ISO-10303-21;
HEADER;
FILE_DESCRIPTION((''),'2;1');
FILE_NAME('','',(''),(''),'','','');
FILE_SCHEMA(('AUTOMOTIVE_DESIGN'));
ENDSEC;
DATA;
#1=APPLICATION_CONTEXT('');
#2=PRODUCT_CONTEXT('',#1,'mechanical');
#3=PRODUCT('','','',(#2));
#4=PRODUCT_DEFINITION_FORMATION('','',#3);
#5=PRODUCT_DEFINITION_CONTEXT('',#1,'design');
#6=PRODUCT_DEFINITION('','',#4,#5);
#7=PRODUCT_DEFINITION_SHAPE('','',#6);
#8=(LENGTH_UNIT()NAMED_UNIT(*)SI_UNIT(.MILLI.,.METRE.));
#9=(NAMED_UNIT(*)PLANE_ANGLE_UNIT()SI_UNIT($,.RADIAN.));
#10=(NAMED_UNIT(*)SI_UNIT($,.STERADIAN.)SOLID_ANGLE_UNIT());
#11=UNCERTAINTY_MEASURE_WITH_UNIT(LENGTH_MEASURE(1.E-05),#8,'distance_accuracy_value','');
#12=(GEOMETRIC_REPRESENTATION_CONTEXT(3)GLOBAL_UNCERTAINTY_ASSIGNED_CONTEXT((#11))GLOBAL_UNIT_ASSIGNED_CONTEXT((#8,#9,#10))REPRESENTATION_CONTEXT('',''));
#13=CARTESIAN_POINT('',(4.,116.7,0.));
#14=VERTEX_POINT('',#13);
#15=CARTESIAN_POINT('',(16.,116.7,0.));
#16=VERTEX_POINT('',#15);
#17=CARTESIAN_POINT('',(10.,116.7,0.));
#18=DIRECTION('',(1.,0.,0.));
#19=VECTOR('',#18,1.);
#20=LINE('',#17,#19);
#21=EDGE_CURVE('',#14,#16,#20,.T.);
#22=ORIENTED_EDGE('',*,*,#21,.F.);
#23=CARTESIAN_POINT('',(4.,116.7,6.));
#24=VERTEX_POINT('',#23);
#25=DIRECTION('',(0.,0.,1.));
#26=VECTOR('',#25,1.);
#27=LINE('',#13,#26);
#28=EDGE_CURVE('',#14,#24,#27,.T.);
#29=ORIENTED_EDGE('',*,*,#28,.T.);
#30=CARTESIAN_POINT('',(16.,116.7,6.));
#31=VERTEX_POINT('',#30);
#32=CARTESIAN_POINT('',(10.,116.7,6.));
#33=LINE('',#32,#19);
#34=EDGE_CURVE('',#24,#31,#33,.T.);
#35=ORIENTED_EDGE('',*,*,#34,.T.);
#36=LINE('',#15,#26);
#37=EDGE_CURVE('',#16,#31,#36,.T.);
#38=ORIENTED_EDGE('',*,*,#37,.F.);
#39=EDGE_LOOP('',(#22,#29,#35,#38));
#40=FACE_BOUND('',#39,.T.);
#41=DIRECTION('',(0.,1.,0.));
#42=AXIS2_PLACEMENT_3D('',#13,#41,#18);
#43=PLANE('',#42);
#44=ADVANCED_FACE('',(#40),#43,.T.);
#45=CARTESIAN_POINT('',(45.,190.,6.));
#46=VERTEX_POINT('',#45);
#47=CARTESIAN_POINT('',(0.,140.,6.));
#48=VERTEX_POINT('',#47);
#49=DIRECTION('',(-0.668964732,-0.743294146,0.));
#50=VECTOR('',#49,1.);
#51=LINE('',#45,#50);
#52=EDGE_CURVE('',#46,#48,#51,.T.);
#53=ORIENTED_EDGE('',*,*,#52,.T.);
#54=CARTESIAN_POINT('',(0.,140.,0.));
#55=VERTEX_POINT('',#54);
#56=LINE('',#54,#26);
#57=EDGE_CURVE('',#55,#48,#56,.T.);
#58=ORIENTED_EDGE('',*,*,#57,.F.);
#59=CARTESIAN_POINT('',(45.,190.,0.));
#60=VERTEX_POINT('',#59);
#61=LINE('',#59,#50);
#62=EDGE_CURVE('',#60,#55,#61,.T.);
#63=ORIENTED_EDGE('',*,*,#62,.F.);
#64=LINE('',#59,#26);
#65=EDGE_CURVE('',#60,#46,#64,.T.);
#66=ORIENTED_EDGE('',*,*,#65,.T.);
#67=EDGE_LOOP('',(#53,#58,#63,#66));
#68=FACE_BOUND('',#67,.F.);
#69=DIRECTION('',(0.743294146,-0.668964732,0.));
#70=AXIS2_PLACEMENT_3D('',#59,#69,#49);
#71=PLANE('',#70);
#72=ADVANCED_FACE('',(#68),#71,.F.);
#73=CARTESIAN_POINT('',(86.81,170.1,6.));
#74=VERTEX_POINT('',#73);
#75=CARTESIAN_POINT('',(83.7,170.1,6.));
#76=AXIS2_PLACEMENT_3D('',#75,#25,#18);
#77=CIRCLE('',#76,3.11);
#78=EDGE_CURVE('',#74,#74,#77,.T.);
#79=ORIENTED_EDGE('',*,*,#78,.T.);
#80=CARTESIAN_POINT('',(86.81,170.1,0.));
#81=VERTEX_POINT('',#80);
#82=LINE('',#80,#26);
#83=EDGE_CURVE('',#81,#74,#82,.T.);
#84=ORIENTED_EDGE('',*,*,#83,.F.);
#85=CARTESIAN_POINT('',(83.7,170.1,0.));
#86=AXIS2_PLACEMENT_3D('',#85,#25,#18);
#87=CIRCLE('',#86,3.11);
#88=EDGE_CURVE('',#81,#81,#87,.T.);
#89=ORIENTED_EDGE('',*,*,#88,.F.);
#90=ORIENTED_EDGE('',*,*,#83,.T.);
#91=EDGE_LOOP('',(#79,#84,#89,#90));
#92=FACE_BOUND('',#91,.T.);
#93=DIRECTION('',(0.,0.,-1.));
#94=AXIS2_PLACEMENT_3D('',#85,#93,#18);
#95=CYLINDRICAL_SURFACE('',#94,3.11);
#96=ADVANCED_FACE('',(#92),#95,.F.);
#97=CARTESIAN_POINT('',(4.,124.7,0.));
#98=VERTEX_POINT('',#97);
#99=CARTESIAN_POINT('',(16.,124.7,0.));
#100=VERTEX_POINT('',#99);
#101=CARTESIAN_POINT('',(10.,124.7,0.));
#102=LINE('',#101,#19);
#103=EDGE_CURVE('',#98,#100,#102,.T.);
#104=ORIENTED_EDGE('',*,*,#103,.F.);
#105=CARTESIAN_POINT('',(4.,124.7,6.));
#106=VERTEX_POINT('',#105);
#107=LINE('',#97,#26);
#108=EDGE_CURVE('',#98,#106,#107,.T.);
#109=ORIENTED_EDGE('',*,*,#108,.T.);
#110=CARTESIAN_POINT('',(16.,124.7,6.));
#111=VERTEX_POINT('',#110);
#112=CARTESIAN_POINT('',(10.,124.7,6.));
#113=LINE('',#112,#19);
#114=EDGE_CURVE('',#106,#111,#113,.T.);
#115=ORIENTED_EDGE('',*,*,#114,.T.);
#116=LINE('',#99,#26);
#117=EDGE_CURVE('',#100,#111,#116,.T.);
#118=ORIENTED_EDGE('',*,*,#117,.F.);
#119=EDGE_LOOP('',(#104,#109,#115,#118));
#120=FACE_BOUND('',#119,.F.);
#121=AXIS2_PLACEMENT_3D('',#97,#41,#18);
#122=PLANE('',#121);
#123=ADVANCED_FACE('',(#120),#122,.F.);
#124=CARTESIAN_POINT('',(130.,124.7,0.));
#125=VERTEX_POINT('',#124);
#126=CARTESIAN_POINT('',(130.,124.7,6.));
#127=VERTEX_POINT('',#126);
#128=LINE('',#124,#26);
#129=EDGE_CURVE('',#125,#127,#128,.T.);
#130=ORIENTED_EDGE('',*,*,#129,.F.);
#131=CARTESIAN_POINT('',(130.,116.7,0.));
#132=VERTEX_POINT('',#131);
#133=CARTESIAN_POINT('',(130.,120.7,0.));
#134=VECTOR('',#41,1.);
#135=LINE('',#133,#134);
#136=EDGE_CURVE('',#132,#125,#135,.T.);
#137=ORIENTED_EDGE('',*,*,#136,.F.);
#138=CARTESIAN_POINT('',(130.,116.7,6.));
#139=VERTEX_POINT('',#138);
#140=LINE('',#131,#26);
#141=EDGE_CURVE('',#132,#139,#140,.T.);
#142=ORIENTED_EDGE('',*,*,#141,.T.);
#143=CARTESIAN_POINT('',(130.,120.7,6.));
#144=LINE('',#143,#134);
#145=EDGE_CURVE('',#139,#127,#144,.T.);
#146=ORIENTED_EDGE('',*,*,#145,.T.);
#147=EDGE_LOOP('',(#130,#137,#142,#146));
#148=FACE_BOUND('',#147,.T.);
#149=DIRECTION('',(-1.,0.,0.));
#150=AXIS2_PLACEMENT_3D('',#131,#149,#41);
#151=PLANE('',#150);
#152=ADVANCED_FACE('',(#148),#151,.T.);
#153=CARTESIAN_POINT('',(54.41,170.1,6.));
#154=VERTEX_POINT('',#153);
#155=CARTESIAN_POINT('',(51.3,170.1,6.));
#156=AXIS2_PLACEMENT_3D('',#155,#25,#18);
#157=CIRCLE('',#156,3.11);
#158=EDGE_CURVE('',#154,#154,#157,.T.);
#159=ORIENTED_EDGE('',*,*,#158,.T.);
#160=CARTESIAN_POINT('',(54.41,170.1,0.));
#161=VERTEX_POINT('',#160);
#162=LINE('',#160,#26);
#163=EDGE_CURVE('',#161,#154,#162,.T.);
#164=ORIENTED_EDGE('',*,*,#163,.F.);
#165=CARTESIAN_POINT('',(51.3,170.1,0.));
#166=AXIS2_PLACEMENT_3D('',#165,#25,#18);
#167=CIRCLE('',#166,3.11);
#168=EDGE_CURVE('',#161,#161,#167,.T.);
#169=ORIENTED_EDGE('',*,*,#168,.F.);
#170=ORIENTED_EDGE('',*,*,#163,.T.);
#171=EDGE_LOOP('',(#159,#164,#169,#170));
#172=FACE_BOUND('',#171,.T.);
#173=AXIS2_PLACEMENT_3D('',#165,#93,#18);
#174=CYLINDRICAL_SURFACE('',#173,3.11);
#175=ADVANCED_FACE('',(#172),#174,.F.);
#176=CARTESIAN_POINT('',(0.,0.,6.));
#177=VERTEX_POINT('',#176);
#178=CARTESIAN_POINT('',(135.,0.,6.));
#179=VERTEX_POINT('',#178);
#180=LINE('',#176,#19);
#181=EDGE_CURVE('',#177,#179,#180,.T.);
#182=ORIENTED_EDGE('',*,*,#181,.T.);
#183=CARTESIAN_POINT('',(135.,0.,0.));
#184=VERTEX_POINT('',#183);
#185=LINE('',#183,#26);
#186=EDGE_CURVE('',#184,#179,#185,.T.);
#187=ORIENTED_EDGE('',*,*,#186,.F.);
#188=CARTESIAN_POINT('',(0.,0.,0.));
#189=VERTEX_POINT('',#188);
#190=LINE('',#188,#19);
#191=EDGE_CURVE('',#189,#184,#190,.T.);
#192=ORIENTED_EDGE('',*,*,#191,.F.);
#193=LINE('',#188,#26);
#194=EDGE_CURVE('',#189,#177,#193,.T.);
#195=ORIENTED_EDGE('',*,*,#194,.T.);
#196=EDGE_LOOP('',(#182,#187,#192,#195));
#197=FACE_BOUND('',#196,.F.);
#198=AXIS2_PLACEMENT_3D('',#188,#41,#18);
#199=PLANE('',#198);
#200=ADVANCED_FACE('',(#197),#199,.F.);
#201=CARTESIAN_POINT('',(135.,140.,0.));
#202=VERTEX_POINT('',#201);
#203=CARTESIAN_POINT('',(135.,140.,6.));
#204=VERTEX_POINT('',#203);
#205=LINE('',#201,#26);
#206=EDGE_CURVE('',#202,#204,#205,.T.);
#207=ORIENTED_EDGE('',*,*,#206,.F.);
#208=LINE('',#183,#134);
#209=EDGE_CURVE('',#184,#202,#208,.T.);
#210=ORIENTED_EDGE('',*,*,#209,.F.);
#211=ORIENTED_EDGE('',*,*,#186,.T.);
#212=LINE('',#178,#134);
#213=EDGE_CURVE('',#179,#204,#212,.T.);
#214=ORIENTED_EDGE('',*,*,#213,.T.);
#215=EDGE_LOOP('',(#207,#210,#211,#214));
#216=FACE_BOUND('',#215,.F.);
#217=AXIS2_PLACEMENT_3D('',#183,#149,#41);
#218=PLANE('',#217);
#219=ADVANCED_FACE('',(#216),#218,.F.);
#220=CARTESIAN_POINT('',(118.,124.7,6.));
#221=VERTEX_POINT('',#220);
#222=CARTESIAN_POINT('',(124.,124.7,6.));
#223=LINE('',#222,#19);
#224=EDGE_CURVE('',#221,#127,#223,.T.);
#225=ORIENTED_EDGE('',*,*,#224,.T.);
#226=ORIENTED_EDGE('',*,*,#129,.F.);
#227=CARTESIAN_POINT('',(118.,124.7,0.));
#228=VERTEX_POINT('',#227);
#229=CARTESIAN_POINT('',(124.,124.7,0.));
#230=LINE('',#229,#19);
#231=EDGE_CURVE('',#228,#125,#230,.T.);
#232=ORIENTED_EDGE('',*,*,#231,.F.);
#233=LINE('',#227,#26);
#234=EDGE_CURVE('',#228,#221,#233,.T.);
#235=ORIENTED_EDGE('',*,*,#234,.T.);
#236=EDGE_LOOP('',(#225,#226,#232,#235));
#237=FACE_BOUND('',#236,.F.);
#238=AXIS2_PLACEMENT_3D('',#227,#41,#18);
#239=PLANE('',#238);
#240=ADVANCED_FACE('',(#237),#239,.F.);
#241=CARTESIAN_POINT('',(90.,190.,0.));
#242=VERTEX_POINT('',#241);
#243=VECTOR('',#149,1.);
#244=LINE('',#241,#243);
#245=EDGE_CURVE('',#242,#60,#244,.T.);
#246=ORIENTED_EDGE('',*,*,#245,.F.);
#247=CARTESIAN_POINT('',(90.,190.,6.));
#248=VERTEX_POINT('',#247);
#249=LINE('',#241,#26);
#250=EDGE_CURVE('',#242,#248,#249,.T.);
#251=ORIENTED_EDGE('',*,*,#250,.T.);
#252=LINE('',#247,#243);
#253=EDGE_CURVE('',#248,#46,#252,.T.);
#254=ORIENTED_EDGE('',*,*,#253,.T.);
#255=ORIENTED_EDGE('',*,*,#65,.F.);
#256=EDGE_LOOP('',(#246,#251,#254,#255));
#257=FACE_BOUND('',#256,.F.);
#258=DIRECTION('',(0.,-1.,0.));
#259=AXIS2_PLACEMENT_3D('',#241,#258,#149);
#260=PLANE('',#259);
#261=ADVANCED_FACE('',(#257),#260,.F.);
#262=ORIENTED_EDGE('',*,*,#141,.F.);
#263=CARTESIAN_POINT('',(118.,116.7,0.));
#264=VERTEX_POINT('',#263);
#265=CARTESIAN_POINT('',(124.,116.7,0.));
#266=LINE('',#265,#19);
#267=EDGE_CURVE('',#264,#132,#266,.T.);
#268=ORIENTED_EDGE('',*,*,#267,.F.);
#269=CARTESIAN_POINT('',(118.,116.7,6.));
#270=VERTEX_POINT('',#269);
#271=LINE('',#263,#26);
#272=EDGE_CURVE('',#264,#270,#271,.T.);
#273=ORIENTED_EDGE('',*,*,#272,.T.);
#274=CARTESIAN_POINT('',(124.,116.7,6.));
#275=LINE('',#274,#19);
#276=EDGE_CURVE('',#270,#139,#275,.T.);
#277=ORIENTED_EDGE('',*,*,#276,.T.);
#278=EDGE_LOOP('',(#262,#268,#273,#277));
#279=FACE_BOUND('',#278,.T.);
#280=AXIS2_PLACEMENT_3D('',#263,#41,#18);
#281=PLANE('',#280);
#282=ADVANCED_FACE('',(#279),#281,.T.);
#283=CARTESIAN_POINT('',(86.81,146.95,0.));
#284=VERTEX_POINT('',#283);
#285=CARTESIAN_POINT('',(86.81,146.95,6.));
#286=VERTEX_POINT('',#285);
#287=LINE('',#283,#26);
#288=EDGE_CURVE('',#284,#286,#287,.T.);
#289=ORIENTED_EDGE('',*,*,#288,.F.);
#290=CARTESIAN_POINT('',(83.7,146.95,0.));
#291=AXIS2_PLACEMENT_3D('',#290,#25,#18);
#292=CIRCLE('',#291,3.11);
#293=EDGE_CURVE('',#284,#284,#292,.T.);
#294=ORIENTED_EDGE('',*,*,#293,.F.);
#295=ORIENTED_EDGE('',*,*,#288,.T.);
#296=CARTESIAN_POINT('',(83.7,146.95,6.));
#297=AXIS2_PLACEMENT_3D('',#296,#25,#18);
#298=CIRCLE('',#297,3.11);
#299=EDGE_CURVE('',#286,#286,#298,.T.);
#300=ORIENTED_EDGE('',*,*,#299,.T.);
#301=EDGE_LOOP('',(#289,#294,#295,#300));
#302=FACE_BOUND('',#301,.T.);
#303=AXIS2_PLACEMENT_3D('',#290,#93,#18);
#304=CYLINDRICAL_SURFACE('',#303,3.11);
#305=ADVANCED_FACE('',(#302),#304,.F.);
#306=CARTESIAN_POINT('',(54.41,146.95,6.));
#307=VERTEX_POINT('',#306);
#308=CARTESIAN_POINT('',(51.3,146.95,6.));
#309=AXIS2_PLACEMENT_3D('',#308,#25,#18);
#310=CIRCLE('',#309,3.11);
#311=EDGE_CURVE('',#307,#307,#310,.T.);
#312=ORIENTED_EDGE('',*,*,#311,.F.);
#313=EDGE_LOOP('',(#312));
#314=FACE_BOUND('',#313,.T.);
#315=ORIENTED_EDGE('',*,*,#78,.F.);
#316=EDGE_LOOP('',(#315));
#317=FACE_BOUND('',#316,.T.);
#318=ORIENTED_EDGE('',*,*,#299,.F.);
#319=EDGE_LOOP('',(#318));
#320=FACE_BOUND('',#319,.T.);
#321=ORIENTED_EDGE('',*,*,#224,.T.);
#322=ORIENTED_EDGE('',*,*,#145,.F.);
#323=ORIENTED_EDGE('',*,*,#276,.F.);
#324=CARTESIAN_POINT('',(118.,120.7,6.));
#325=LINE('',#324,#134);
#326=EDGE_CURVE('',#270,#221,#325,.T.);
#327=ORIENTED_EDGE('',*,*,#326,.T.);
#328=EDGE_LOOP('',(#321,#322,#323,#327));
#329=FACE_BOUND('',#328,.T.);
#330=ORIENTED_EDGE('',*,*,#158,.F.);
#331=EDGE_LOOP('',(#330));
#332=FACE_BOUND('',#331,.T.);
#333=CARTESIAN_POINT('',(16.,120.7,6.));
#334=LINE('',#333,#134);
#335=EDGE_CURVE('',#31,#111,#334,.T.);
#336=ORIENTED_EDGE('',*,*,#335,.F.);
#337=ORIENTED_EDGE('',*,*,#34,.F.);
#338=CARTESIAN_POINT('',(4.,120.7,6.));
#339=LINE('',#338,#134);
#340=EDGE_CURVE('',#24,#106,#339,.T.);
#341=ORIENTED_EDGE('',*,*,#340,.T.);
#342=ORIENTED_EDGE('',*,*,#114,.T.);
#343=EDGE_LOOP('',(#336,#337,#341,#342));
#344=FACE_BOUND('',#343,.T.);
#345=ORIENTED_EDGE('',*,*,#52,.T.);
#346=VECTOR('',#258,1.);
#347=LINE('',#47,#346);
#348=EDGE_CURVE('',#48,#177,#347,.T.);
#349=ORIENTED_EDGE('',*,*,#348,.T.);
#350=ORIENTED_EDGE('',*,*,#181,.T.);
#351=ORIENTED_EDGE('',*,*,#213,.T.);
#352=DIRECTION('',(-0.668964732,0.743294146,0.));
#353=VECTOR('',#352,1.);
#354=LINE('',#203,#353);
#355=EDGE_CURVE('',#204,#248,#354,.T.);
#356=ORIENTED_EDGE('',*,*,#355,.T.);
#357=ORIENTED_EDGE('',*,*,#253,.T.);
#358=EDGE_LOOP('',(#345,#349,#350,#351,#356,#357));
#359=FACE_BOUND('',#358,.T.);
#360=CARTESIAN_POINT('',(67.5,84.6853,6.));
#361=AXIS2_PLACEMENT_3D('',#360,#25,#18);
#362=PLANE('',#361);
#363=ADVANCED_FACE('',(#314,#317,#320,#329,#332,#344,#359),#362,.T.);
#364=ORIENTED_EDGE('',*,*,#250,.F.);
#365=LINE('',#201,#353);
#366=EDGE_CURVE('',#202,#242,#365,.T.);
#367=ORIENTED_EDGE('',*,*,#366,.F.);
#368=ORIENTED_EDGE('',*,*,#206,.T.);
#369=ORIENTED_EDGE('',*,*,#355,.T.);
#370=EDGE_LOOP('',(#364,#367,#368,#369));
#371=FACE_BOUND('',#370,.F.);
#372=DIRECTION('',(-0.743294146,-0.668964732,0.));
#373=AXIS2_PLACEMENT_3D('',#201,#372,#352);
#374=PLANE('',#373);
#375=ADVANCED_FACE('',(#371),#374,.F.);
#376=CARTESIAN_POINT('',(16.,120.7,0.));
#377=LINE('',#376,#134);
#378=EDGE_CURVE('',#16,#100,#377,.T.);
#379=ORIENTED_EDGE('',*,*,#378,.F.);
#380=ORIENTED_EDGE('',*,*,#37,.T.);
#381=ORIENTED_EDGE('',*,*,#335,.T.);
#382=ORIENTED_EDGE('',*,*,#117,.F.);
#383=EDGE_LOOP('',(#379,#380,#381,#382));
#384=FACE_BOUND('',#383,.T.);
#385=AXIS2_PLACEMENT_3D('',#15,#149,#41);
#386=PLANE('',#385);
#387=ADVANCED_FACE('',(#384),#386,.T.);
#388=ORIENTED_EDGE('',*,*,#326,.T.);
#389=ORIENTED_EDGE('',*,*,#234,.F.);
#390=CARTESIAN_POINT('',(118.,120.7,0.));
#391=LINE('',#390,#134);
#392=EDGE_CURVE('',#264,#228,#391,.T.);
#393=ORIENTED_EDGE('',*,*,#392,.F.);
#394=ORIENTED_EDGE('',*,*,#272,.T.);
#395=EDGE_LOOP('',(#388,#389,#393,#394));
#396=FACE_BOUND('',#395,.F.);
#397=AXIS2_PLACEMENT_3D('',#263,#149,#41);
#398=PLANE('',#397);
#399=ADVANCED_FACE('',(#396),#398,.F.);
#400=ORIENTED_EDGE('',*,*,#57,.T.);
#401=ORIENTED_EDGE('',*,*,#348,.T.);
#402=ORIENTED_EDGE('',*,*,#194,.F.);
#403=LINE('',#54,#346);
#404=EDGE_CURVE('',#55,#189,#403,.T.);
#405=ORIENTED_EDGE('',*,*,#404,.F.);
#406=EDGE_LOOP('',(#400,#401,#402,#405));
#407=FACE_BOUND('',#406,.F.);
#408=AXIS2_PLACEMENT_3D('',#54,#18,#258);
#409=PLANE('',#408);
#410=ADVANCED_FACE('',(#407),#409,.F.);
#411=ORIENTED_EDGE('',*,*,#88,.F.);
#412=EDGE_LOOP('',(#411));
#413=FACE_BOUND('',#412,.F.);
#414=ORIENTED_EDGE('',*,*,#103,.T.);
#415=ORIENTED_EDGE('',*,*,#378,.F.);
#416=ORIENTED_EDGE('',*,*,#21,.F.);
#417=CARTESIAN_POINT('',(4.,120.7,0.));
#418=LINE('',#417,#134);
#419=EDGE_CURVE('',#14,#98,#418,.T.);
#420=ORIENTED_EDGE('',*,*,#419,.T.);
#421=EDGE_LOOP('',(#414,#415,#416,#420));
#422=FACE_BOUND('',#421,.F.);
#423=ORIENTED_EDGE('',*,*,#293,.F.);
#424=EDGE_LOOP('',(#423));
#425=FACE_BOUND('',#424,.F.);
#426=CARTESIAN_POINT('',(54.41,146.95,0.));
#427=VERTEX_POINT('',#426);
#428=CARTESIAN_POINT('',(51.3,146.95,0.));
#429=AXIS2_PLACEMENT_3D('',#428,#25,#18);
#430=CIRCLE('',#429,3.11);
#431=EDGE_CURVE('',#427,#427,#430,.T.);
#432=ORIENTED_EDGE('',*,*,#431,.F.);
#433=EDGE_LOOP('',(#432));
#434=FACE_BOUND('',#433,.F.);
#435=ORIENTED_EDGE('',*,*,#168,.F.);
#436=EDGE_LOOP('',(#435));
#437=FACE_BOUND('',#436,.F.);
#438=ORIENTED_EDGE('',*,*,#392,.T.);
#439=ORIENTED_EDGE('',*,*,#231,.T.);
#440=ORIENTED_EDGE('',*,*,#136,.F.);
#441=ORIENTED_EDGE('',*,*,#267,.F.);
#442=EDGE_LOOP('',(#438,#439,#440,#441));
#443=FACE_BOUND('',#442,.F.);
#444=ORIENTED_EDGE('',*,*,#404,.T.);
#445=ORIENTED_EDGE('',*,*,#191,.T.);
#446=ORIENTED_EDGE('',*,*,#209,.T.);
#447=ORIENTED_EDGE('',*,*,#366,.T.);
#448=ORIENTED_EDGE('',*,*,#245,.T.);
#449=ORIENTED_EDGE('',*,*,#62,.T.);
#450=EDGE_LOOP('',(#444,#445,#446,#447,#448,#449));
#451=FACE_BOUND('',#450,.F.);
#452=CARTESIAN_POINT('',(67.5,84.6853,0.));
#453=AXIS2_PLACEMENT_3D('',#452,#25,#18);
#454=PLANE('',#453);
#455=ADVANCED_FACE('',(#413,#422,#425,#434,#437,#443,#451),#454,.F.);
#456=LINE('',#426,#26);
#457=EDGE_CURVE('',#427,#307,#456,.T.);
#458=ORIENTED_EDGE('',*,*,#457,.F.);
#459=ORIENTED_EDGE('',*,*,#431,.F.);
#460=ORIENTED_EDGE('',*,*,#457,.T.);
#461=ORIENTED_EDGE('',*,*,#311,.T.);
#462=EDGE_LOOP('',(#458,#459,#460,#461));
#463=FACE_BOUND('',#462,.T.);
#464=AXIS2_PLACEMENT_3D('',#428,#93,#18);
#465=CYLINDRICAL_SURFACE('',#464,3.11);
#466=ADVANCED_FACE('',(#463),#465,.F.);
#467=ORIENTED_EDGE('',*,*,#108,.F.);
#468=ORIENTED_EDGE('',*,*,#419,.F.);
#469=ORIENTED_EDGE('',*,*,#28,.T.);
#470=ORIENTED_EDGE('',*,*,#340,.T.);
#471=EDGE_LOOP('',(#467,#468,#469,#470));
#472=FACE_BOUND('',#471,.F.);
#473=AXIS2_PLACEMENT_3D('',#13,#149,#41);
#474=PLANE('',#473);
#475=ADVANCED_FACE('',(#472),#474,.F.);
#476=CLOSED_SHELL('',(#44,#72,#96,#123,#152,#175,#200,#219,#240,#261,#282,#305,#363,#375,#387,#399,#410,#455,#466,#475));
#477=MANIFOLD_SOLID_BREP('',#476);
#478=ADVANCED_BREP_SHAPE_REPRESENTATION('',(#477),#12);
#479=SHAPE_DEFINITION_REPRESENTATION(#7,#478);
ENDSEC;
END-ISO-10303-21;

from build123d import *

# Parameters (mm, degrees)
SKETCH_R      = 3.11
SKETCH_W      = 12
SKETCH_H      = 8
EXTRUDE_DEPTH = 6


with BuildPart() as part:
    # Sketch → Extrude (new body)
    with BuildSketch(Plane.XY):
        Polygon((0, 0), (135, 0), (135, 140), (90, 190), (45, 190), (0, 140), align=None)
        with Locations((51.3, 146.95)):
            Circle(SKETCH_R, mode=Mode.SUBTRACT)
        with Locations((83.7, 146.95)):
            Circle(SKETCH_R, mode=Mode.SUBTRACT)
        with Locations((51.3, 170.1)):
            Circle(SKETCH_R, mode=Mode.SUBTRACT)
        with Locations((83.7, 170.1)):
            Circle(SKETCH_R, mode=Mode.SUBTRACT)
        with Locations((124, 120.7)):
            Rectangle(SKETCH_W, SKETCH_H, mode=Mode.SUBTRACT)
        with Locations((10, 120.7)):
            Rectangle(SKETCH_W, SKETCH_H, mode=Mode.SUBTRACT)
    extrude(amount=EXTRUDE_DEPTH)


solid = part.part
